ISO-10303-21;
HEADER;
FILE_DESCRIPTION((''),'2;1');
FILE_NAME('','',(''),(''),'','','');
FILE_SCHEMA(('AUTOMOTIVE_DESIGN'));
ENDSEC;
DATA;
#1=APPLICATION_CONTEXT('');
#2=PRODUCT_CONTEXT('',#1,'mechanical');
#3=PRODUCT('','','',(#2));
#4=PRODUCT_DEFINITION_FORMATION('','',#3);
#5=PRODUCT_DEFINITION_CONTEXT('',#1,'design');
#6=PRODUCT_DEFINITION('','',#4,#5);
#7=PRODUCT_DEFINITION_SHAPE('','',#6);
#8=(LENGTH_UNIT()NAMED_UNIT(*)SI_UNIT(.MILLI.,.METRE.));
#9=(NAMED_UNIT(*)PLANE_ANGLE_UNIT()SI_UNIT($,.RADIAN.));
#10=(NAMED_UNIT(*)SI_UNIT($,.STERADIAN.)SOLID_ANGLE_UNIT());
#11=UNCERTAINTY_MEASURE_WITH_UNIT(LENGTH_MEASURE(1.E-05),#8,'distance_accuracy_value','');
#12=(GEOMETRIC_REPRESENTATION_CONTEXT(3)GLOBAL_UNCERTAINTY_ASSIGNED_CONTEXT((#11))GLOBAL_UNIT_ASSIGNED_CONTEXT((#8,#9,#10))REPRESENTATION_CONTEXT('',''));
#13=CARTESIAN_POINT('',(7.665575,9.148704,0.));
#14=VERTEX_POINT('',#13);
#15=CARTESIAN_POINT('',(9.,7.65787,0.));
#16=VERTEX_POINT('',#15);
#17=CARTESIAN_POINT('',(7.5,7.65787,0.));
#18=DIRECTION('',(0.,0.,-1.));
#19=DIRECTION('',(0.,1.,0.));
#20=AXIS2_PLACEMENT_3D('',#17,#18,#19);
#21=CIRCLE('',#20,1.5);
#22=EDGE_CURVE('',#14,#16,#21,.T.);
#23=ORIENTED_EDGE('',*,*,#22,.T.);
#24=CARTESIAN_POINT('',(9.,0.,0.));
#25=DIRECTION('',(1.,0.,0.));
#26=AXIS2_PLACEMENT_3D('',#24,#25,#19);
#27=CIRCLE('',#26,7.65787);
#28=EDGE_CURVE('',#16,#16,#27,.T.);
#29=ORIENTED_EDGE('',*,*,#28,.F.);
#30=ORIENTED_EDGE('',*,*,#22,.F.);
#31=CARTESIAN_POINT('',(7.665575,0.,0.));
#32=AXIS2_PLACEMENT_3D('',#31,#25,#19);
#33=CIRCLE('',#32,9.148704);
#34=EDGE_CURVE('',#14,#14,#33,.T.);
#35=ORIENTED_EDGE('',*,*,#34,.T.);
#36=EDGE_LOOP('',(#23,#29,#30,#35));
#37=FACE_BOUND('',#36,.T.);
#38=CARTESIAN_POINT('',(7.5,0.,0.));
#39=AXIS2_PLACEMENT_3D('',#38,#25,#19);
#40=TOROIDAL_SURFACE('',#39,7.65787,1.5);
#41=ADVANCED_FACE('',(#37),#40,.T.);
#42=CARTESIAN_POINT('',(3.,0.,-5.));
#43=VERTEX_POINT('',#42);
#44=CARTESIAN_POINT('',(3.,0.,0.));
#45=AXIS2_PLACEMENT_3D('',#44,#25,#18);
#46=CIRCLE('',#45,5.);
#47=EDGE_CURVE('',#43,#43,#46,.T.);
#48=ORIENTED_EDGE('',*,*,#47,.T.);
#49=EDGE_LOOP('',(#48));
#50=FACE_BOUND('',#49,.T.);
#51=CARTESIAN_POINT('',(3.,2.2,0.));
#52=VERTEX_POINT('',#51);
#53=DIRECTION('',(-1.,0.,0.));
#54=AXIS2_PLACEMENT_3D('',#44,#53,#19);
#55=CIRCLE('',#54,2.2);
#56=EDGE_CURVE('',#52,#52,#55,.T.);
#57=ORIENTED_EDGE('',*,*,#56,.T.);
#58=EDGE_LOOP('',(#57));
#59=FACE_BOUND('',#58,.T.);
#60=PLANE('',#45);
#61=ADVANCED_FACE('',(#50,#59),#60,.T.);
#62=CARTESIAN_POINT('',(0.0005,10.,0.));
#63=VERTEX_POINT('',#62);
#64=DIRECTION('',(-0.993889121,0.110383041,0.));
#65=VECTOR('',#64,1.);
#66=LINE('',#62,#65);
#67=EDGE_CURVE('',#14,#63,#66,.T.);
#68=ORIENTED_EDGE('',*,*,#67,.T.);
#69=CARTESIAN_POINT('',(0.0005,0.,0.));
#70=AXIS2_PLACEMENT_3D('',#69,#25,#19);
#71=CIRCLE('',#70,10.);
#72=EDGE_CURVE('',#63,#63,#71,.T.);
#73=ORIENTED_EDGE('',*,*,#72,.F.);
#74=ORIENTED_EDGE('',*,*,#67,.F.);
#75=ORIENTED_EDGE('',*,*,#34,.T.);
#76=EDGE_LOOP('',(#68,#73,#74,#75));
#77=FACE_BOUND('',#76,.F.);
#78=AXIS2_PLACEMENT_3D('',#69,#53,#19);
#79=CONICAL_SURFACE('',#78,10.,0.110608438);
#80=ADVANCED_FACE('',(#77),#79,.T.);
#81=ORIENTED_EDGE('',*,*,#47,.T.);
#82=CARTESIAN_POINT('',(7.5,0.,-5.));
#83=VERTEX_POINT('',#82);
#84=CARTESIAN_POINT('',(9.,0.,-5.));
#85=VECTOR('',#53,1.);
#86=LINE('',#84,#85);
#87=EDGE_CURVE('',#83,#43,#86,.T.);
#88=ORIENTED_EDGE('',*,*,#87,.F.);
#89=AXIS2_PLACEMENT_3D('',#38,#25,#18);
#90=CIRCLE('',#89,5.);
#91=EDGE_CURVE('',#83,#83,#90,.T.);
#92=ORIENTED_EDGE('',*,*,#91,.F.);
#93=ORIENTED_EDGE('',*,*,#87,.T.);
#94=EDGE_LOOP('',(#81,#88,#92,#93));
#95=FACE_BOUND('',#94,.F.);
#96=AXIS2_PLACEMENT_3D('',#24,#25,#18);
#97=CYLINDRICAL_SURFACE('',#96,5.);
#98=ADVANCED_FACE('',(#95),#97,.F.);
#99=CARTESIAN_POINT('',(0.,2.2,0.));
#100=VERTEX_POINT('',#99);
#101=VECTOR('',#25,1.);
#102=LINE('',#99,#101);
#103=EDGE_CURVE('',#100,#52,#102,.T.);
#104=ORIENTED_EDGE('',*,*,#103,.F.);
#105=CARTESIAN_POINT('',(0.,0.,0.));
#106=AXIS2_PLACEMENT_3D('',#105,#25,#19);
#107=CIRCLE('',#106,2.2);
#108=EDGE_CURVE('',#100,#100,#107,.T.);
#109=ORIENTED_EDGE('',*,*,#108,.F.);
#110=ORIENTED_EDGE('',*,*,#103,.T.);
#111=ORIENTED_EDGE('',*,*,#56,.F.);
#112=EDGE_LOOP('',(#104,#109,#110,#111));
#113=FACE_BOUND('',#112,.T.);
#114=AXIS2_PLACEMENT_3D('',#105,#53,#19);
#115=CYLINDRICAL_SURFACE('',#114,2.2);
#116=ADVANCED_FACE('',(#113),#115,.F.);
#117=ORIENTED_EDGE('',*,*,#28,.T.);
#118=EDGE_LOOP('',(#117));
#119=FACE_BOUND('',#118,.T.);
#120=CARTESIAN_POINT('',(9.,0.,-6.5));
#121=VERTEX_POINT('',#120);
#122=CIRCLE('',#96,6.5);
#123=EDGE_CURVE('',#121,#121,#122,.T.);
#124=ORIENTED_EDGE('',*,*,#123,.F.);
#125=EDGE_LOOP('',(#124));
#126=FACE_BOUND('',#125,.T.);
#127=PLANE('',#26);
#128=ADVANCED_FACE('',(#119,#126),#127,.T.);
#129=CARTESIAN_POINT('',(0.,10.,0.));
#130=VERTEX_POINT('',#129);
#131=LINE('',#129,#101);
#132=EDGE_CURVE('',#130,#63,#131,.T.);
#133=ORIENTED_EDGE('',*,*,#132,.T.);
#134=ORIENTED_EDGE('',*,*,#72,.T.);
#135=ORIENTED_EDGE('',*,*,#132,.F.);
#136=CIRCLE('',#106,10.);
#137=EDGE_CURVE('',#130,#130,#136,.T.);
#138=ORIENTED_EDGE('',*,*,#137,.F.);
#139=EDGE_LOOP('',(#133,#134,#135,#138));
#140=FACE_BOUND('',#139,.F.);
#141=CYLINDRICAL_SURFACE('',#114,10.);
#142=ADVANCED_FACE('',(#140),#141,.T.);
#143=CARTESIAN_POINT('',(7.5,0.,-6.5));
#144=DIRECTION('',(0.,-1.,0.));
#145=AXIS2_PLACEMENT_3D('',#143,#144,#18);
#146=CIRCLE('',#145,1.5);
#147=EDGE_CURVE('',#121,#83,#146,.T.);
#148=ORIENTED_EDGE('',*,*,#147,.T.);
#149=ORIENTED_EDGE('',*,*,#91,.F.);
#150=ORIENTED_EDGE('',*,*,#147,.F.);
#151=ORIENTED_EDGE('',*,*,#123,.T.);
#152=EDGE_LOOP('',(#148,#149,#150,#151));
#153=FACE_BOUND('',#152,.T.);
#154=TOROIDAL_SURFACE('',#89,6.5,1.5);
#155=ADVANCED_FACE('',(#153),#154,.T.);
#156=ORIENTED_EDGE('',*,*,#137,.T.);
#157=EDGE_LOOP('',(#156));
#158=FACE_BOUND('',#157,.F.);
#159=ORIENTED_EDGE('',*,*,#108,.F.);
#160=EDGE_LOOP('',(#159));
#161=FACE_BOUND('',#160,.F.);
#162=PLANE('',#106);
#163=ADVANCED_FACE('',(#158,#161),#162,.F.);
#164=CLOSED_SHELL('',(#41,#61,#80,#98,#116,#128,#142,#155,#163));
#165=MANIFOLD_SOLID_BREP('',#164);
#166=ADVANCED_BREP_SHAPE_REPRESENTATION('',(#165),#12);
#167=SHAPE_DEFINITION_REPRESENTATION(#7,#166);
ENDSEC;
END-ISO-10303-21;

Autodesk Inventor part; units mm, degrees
ref_plane "YZ Plane" through (0, 0, 0) normal (1, 0, 0) x (0, 1, 0)
ref_plane "XZ Plane" through (0, 0, 0) normal (0, 1, 0) x (-1, 0, 0)
ref_plane "XY Plane" through (0, 0, 0) normal (0, 0, 1) x (1, 0, 0)
sketch "Sketch1" plane through (0, 0, 0) normal (1, 0, 0) x (0, 1, 0)
  circle A0 centre (0, 0) radius 10
  circle A1 centre (0, 0) radius 2.2
  dimension "d0" = 20
  dimension "d1" = 4.4
extrude "Extrusion1" add sketch "Sketch1" along normal blind 9
sketch "Sketch2" plane through (9, 0, 0) normal (1, 0, 0) x (0, 0, -1)
  circle A0 centre (0, 0) radius 5
  dimension "d4" = 10
extrude "Extrusion2" cut sketch "Sketch2" against normal blind 6
chamfer "Chamfer1" distance 1 distance2 9 1 edges at (9, -10, 0) measured on face at (9, 8.2243, -0.9986)
fillet "Fillet2" radius 1.5 2 edges at (9, -9.0005, 0) (9, 0, 5)
properties part number "rubberen_voetje" material "Rubber"
